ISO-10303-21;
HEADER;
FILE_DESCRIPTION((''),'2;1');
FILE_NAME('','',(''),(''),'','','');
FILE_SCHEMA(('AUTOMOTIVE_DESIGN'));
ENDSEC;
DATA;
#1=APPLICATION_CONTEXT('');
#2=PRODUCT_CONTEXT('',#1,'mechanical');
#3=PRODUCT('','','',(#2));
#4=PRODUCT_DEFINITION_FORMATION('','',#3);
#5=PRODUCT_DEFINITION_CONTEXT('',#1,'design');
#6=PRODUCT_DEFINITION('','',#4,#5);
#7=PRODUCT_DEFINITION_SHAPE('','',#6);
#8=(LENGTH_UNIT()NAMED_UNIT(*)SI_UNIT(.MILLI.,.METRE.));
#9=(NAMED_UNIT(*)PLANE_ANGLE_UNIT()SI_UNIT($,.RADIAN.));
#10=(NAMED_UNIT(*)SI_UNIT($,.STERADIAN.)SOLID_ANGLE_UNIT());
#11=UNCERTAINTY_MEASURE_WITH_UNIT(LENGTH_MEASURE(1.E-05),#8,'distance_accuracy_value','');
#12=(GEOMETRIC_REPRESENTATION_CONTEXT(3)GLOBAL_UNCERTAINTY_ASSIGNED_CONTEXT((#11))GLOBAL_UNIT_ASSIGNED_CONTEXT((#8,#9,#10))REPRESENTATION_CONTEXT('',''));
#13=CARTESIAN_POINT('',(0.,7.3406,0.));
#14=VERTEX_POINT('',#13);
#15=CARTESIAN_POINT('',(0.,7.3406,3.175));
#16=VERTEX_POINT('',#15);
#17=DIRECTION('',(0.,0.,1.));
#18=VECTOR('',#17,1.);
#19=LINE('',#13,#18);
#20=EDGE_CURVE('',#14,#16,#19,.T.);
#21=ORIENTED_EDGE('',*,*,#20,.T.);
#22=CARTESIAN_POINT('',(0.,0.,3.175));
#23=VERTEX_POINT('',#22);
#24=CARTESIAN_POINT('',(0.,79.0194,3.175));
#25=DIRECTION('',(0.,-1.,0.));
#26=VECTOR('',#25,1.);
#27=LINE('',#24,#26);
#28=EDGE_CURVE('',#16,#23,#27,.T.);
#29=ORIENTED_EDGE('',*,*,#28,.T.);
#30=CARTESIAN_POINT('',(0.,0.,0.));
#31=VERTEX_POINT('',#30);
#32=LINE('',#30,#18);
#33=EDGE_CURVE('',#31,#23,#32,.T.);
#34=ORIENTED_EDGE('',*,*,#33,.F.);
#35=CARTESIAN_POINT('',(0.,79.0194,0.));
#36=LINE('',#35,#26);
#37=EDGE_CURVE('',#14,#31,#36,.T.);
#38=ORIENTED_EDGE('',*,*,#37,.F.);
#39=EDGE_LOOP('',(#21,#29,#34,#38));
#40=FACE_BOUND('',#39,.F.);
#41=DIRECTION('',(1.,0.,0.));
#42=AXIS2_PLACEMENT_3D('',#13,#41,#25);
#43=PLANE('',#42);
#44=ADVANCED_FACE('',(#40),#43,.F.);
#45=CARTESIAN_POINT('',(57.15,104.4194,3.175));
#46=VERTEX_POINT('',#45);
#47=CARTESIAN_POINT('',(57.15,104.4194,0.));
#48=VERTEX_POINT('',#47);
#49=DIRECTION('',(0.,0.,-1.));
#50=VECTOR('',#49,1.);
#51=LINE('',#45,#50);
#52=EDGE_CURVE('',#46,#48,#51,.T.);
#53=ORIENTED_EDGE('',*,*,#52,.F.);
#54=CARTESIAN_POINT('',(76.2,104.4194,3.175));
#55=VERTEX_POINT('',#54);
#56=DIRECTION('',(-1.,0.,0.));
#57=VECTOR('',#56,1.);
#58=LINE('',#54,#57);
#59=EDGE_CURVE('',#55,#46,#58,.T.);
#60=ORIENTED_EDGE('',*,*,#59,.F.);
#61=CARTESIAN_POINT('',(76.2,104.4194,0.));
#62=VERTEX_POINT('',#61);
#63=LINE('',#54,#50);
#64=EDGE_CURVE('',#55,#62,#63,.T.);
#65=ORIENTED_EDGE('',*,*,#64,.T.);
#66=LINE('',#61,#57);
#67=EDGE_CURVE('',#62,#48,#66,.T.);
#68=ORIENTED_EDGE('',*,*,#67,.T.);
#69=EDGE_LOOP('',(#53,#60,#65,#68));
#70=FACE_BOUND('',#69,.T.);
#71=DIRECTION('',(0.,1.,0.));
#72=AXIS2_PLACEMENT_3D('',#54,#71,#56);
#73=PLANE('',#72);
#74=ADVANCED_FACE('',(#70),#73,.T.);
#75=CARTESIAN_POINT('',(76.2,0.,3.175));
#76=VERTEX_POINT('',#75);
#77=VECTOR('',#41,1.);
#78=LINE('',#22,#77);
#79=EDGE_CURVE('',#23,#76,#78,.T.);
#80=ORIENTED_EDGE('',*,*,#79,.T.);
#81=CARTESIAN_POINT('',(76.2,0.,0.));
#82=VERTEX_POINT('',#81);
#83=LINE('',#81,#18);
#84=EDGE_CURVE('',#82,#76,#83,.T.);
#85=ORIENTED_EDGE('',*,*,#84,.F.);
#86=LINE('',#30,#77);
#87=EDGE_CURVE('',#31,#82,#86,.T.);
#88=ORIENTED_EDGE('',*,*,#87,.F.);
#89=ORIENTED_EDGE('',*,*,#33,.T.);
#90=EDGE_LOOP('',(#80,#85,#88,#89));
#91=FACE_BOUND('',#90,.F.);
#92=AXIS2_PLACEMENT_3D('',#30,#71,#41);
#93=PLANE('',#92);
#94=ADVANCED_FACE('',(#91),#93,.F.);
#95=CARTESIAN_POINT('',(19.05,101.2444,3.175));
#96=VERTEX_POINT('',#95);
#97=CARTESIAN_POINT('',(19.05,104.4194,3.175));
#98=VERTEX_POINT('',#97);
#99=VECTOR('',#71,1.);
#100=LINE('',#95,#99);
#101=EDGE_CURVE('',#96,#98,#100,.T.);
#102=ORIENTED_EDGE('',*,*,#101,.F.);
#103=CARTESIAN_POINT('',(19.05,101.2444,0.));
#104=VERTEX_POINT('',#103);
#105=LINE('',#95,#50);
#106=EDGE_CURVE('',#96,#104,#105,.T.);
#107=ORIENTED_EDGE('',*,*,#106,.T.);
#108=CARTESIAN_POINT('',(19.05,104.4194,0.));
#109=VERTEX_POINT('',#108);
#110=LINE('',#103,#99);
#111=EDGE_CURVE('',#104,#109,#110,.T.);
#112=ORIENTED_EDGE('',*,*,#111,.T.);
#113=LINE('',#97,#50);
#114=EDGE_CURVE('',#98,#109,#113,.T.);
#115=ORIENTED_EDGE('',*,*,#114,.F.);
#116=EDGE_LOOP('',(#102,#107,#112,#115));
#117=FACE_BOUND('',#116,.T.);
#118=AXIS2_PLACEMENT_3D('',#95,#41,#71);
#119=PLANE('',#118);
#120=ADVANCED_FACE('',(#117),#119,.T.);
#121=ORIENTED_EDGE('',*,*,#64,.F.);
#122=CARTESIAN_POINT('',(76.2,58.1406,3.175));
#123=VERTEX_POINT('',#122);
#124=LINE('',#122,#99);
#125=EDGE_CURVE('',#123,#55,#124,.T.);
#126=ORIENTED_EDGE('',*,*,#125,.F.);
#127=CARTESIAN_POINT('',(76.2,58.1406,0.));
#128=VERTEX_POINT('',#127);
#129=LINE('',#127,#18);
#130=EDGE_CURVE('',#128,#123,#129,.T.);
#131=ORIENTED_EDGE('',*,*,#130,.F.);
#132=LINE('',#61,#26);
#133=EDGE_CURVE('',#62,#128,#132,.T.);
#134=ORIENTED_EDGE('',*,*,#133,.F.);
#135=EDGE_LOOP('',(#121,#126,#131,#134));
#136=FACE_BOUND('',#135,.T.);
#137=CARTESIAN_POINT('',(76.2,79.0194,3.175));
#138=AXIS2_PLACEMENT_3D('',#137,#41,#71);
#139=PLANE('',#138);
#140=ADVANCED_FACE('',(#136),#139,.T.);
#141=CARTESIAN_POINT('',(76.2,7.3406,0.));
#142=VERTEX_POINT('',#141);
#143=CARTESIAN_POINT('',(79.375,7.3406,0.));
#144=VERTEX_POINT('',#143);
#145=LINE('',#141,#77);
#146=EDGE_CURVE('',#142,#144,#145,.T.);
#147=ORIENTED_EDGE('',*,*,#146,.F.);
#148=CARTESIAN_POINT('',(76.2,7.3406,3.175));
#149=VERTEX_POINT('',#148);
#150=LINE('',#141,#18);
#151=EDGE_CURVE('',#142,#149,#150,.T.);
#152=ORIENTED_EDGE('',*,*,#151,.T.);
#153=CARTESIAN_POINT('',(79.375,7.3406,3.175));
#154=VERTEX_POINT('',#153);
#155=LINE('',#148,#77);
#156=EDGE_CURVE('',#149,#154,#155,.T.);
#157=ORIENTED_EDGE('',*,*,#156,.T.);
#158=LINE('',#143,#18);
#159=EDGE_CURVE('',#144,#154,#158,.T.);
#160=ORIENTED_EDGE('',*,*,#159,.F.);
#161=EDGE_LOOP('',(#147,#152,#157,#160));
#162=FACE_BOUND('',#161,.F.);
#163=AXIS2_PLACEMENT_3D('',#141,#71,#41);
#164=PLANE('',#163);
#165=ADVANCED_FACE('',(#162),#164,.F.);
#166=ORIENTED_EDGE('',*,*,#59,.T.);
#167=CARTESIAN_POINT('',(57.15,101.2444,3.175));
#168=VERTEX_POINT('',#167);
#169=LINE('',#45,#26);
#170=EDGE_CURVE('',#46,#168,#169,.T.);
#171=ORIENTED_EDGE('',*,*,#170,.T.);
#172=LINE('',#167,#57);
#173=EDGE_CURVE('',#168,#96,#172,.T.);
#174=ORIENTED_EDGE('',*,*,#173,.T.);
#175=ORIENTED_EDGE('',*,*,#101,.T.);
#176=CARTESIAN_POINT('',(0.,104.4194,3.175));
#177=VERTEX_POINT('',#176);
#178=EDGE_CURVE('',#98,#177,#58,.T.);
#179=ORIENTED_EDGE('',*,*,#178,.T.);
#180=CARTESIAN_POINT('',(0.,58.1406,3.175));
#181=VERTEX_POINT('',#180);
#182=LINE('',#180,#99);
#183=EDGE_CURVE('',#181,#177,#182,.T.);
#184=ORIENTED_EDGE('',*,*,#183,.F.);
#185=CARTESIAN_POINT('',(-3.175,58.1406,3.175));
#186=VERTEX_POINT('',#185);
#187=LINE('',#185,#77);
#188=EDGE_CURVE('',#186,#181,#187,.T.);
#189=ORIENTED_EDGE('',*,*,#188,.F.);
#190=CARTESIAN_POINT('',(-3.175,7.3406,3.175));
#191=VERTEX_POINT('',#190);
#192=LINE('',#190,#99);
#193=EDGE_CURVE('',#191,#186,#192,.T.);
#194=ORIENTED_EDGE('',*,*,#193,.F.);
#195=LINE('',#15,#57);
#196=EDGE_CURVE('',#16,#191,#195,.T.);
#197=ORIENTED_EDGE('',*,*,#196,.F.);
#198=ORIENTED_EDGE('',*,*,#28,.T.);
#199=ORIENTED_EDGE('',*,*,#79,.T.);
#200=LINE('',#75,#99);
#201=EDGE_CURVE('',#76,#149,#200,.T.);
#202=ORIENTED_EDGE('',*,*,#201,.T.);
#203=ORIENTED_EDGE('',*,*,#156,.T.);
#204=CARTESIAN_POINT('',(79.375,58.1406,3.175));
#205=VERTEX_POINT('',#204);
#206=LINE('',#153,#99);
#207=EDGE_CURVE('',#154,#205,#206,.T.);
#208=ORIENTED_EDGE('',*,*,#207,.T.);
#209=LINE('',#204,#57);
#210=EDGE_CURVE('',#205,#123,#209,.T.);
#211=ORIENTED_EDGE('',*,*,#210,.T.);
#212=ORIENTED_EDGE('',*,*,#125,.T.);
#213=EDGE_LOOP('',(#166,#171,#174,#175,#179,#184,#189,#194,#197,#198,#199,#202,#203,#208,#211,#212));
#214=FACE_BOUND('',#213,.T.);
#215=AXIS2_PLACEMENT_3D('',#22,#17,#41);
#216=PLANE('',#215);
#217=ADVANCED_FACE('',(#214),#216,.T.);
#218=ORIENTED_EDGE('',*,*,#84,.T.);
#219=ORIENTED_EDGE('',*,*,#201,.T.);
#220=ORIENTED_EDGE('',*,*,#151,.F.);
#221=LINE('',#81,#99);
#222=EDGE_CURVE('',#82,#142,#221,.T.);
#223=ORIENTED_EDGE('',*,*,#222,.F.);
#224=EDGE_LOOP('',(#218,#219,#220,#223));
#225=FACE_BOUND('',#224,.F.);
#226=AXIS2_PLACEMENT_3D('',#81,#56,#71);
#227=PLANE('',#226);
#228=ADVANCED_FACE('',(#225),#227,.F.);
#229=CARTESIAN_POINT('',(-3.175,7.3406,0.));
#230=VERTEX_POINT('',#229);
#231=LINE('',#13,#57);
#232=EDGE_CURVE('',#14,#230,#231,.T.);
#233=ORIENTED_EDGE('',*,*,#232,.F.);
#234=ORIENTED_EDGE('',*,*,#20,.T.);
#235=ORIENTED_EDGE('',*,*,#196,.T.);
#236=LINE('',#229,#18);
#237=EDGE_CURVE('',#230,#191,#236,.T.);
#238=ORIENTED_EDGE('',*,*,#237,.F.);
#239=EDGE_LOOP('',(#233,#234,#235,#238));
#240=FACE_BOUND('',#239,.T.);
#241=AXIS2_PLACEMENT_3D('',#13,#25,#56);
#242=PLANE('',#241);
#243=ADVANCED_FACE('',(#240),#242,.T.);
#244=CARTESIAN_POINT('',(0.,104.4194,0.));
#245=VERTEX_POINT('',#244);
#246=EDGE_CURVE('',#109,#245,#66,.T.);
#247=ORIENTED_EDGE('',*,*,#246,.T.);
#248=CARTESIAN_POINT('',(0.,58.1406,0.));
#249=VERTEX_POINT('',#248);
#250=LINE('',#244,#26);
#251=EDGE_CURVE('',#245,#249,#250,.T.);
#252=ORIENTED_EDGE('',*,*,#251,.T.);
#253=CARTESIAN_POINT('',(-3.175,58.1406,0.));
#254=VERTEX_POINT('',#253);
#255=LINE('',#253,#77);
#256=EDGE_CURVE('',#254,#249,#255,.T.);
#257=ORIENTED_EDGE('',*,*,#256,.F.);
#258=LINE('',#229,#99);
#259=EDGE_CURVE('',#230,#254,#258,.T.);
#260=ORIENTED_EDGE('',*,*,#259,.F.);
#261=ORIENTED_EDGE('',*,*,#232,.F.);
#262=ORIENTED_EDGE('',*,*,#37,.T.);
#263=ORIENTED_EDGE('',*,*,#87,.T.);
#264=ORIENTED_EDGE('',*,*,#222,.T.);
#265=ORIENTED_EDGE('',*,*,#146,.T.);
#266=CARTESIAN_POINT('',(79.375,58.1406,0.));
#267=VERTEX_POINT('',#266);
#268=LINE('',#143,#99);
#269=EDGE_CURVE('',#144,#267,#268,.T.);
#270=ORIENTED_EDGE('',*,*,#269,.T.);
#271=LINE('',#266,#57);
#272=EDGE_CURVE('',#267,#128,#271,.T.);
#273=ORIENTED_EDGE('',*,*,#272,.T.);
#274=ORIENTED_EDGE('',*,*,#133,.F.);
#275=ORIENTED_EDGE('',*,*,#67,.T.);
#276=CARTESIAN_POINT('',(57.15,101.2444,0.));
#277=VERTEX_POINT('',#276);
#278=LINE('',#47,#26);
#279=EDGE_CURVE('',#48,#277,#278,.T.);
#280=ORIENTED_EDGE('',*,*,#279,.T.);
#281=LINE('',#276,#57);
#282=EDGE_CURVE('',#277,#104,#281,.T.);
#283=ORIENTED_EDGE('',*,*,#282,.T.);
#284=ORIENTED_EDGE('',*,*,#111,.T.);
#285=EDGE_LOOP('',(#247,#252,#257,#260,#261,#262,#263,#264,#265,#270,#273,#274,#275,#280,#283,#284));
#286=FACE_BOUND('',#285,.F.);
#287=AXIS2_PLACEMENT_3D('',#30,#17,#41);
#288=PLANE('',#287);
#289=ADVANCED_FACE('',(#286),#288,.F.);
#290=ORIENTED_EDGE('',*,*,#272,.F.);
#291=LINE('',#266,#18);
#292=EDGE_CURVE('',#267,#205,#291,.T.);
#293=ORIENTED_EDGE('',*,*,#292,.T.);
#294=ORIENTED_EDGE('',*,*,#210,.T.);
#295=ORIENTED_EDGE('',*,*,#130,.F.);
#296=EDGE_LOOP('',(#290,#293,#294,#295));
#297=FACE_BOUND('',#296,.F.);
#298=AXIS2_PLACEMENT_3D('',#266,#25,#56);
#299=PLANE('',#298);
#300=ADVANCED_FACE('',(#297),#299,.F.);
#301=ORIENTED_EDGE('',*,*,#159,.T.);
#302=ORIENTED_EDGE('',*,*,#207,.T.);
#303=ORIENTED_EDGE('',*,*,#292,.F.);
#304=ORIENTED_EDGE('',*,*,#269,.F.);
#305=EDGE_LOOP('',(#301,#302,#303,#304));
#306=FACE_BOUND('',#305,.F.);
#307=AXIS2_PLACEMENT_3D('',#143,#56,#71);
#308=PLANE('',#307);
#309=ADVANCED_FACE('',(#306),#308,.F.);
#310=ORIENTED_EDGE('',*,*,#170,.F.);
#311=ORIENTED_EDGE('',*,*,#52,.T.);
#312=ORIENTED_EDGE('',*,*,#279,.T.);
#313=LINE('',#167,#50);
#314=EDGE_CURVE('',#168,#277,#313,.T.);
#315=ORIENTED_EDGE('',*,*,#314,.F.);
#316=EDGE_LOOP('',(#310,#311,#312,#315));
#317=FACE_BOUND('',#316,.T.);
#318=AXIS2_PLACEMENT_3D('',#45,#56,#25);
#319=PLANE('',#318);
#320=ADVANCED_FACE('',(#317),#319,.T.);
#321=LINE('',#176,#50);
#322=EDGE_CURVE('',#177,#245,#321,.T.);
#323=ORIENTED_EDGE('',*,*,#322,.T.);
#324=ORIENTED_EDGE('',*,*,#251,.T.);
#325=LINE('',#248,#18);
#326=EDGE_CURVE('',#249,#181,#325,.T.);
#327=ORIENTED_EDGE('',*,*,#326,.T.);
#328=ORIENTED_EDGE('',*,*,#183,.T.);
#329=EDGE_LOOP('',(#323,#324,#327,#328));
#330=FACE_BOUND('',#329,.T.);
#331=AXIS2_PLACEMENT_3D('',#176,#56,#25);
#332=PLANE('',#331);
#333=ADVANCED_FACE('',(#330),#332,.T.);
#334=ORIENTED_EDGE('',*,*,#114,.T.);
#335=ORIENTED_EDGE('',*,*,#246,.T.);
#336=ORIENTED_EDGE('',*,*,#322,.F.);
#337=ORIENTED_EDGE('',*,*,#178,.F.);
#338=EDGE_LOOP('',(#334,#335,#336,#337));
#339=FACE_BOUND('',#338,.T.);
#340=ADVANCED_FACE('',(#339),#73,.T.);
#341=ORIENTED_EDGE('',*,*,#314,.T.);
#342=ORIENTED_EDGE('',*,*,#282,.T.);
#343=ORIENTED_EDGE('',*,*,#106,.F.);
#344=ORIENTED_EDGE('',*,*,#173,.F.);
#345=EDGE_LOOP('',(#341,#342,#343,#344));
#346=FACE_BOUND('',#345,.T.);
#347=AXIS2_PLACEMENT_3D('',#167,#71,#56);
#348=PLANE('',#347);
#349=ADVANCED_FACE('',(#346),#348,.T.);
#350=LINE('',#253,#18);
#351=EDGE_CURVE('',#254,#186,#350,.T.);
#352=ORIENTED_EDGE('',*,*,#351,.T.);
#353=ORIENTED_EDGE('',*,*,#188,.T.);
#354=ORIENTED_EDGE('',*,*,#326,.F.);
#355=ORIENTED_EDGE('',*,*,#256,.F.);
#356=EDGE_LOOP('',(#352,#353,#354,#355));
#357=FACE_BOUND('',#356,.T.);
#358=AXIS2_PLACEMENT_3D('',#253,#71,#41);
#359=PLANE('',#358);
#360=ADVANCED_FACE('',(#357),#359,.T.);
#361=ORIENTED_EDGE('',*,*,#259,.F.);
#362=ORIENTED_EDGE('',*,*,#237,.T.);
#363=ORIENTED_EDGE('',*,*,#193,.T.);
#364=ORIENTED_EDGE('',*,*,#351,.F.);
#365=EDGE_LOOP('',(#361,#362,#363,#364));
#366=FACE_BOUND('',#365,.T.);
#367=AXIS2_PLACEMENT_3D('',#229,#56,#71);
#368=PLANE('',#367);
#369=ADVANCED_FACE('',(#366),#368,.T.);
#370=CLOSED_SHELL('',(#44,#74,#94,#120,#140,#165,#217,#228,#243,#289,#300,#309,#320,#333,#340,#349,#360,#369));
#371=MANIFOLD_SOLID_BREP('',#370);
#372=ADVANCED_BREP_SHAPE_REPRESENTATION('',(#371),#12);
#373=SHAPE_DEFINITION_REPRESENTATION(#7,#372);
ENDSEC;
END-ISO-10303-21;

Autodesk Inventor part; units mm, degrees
ref_plane "YZ Plane" through (0, 0, 0) normal (1, 0, 0) x (0, 1, 0)
ref_plane "XZ Plane" through (0, 0, 0) normal (0, 1, 0) x (-1, 0, 0)
ref_plane "XY Plane" through (0, 0, 0) normal (0, 0, 1) x (1, 0, 0)
sketch "Sketch1" plane through (0, 0, 0) normal (0, 0, 1) x (1, 0, 0)
  line L0 (0, 0) -> (76.2, 0)
  line L1 (76.2, 0) -> (76.2, 79.0194)
  line L2 (76.2, 79.0194) -> (0, 79.0194)
  line L3 (0, 79.0194) -> (0, 0)
  line L4 (0, 7.3406) -> (-3.175, 7.3406)
  line L5 (-3.175, 7.3406) -> (-3.175, 58.1406)
  line L6 (-3.175, 58.1406) -> (0, 58.1406)
  line L7 (0, 58.1406) -> (0, 7.3406)
  line L8 (38.1, 79.0194) -> (38.1, 15.1376) construction
  line L9 (76.2, 0) -> (0, 0)
  line L10 (76.2, 79.0194) -> (76.2, 0)
  line L11 (76.2, 7.3406) -> (79.375, 7.3406)
  line L12 (79.375, 7.3406) -> (79.375, 58.1406)
  line L13 (79.375, 58.1406) -> (76.2, 58.1406)
  line L14 (76.2, 58.1406) -> (76.2, 7.3406)
  dimension "d0" = 76.2
  dimension "d1" = 79.0194
  dimension "d2" = 7.3406
  dimension "d3" = 50.8
  dimension "d6" = 3.175
extrude "Extrusion1" add sketch "Sketch1" along normal blind 3.175
sketch "Sketch2" plane through (0, 0, 3.175) normal (0, 0, 1) x (1, 0, 0)
  line L0 (76.2, 79.0194) -> (0, 79.0194) projected
  line L1 (0, 79.0194) -> (76.2, 79.0194)
  line L2 (76.2, 79.0194) -> (76.2, 104.4194)
  line L3 (76.2, 104.4194) -> (0, 104.4194)
  line L4 (0, 104.4194) -> (0, 79.0194)
  point P0 (0, 0)
  dimension "d7" = 25.4
extrude "Extrusion2" add sketch "Sketch2" against normal blind 3.175
sketch "Sketch3" plane through (0, 0, 3.175) normal (0, 0, 1) x (1, 0, 0)
  line L0 (76.2, 104.4194) -> (0, 104.4194) projected
  line L1 (19.05, 104.4194) -> (57.15, 104.4194)
  line L2 (57.15, 104.4194) -> (57.15, 101.2444)
  line L3 (57.15, 101.2444) -> (19.05, 101.2444)
  line L4 (19.05, 101.2444) -> (19.05, 104.4194)
  line L5 (0, 104.4194) -> (0, 58.1406) projected
  point P0 (0, 0)
  dimension "d10" = 3.175
  dimension "d11" = 38.1
  dimension "d12" = 19.05
extrude "Extrusion3" cut sketch "Sketch3" against normal blind 3.175
properties part number "back"
